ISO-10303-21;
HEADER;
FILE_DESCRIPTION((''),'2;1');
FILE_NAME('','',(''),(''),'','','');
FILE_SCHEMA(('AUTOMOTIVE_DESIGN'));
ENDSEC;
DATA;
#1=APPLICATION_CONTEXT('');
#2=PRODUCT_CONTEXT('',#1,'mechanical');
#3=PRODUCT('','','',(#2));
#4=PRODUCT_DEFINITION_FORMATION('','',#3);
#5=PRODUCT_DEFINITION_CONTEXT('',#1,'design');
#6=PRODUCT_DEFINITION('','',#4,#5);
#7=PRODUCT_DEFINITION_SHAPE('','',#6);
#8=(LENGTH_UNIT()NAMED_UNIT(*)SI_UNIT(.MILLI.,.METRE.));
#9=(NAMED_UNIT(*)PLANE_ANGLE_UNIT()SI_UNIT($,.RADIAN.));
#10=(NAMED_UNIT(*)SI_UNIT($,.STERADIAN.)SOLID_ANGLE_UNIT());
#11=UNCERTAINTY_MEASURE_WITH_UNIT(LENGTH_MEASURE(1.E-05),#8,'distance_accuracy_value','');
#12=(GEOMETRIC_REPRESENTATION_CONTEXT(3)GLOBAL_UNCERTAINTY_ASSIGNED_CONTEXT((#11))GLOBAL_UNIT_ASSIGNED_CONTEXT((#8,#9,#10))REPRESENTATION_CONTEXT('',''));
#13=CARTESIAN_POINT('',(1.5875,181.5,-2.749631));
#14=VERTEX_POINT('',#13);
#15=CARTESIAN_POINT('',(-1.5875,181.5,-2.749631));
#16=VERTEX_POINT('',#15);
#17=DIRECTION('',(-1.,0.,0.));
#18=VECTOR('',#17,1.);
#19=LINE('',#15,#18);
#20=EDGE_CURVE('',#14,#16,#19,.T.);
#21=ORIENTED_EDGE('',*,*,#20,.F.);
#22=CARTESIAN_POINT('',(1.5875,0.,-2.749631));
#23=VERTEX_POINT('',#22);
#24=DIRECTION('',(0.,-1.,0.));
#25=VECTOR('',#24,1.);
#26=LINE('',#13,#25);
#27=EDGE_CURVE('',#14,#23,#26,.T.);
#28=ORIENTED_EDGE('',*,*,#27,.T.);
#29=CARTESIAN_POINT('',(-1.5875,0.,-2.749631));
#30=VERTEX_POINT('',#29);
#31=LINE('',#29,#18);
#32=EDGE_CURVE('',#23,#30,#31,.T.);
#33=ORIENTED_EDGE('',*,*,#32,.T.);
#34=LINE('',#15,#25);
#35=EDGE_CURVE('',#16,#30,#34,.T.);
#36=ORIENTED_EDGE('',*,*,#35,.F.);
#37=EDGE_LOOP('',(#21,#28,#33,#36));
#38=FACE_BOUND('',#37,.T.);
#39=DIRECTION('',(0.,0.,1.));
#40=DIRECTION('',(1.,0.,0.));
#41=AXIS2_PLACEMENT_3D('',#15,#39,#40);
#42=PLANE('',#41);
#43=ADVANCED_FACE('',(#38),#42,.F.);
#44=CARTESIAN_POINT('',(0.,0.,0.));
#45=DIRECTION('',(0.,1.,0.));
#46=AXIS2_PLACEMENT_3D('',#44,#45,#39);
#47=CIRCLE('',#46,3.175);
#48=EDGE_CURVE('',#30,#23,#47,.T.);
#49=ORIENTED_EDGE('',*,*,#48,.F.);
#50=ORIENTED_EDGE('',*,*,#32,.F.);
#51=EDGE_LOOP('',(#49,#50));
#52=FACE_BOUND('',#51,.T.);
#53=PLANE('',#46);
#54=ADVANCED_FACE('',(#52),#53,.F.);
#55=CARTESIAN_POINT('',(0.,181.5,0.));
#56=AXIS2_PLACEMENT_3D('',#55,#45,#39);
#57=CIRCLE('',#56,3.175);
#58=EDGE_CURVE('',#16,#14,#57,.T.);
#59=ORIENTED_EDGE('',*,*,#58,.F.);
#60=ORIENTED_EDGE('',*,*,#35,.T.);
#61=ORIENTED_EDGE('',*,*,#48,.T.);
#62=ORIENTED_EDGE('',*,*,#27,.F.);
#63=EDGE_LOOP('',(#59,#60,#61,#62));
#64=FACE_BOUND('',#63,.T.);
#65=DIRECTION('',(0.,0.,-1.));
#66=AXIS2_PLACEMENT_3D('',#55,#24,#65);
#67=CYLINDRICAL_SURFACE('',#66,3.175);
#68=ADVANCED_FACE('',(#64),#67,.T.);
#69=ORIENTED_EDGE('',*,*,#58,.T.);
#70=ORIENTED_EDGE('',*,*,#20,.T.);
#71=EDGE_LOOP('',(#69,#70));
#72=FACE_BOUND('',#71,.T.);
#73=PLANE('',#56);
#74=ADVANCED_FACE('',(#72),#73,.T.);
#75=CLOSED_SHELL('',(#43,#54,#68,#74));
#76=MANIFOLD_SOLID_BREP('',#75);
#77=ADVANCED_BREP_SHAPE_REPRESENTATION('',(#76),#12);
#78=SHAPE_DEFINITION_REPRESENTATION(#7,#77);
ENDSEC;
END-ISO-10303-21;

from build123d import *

# Parameters (mm, degrees)
BOSS_EXTRUDE1_DEPTH = 181.5


with BuildPart() as part:
    # Sketch1 → Boss-Extrude1 (new body)
    with BuildSketch(Plane(origin=(0, 0, 0), x_dir=(1, 0, 0), z_dir=(0, 1, 0))):
        with BuildLine():
            Line((-1.5875, 2.749630657), (1.5875, 2.749630657))
            ThreePointArc((1.5875, 2.749630657), (0, -3.175), (-1.5875, 2.749630657))
        make_face()
    extrude(amount=BOSS_EXTRUDE1_DEPTH)


solid = part.part
